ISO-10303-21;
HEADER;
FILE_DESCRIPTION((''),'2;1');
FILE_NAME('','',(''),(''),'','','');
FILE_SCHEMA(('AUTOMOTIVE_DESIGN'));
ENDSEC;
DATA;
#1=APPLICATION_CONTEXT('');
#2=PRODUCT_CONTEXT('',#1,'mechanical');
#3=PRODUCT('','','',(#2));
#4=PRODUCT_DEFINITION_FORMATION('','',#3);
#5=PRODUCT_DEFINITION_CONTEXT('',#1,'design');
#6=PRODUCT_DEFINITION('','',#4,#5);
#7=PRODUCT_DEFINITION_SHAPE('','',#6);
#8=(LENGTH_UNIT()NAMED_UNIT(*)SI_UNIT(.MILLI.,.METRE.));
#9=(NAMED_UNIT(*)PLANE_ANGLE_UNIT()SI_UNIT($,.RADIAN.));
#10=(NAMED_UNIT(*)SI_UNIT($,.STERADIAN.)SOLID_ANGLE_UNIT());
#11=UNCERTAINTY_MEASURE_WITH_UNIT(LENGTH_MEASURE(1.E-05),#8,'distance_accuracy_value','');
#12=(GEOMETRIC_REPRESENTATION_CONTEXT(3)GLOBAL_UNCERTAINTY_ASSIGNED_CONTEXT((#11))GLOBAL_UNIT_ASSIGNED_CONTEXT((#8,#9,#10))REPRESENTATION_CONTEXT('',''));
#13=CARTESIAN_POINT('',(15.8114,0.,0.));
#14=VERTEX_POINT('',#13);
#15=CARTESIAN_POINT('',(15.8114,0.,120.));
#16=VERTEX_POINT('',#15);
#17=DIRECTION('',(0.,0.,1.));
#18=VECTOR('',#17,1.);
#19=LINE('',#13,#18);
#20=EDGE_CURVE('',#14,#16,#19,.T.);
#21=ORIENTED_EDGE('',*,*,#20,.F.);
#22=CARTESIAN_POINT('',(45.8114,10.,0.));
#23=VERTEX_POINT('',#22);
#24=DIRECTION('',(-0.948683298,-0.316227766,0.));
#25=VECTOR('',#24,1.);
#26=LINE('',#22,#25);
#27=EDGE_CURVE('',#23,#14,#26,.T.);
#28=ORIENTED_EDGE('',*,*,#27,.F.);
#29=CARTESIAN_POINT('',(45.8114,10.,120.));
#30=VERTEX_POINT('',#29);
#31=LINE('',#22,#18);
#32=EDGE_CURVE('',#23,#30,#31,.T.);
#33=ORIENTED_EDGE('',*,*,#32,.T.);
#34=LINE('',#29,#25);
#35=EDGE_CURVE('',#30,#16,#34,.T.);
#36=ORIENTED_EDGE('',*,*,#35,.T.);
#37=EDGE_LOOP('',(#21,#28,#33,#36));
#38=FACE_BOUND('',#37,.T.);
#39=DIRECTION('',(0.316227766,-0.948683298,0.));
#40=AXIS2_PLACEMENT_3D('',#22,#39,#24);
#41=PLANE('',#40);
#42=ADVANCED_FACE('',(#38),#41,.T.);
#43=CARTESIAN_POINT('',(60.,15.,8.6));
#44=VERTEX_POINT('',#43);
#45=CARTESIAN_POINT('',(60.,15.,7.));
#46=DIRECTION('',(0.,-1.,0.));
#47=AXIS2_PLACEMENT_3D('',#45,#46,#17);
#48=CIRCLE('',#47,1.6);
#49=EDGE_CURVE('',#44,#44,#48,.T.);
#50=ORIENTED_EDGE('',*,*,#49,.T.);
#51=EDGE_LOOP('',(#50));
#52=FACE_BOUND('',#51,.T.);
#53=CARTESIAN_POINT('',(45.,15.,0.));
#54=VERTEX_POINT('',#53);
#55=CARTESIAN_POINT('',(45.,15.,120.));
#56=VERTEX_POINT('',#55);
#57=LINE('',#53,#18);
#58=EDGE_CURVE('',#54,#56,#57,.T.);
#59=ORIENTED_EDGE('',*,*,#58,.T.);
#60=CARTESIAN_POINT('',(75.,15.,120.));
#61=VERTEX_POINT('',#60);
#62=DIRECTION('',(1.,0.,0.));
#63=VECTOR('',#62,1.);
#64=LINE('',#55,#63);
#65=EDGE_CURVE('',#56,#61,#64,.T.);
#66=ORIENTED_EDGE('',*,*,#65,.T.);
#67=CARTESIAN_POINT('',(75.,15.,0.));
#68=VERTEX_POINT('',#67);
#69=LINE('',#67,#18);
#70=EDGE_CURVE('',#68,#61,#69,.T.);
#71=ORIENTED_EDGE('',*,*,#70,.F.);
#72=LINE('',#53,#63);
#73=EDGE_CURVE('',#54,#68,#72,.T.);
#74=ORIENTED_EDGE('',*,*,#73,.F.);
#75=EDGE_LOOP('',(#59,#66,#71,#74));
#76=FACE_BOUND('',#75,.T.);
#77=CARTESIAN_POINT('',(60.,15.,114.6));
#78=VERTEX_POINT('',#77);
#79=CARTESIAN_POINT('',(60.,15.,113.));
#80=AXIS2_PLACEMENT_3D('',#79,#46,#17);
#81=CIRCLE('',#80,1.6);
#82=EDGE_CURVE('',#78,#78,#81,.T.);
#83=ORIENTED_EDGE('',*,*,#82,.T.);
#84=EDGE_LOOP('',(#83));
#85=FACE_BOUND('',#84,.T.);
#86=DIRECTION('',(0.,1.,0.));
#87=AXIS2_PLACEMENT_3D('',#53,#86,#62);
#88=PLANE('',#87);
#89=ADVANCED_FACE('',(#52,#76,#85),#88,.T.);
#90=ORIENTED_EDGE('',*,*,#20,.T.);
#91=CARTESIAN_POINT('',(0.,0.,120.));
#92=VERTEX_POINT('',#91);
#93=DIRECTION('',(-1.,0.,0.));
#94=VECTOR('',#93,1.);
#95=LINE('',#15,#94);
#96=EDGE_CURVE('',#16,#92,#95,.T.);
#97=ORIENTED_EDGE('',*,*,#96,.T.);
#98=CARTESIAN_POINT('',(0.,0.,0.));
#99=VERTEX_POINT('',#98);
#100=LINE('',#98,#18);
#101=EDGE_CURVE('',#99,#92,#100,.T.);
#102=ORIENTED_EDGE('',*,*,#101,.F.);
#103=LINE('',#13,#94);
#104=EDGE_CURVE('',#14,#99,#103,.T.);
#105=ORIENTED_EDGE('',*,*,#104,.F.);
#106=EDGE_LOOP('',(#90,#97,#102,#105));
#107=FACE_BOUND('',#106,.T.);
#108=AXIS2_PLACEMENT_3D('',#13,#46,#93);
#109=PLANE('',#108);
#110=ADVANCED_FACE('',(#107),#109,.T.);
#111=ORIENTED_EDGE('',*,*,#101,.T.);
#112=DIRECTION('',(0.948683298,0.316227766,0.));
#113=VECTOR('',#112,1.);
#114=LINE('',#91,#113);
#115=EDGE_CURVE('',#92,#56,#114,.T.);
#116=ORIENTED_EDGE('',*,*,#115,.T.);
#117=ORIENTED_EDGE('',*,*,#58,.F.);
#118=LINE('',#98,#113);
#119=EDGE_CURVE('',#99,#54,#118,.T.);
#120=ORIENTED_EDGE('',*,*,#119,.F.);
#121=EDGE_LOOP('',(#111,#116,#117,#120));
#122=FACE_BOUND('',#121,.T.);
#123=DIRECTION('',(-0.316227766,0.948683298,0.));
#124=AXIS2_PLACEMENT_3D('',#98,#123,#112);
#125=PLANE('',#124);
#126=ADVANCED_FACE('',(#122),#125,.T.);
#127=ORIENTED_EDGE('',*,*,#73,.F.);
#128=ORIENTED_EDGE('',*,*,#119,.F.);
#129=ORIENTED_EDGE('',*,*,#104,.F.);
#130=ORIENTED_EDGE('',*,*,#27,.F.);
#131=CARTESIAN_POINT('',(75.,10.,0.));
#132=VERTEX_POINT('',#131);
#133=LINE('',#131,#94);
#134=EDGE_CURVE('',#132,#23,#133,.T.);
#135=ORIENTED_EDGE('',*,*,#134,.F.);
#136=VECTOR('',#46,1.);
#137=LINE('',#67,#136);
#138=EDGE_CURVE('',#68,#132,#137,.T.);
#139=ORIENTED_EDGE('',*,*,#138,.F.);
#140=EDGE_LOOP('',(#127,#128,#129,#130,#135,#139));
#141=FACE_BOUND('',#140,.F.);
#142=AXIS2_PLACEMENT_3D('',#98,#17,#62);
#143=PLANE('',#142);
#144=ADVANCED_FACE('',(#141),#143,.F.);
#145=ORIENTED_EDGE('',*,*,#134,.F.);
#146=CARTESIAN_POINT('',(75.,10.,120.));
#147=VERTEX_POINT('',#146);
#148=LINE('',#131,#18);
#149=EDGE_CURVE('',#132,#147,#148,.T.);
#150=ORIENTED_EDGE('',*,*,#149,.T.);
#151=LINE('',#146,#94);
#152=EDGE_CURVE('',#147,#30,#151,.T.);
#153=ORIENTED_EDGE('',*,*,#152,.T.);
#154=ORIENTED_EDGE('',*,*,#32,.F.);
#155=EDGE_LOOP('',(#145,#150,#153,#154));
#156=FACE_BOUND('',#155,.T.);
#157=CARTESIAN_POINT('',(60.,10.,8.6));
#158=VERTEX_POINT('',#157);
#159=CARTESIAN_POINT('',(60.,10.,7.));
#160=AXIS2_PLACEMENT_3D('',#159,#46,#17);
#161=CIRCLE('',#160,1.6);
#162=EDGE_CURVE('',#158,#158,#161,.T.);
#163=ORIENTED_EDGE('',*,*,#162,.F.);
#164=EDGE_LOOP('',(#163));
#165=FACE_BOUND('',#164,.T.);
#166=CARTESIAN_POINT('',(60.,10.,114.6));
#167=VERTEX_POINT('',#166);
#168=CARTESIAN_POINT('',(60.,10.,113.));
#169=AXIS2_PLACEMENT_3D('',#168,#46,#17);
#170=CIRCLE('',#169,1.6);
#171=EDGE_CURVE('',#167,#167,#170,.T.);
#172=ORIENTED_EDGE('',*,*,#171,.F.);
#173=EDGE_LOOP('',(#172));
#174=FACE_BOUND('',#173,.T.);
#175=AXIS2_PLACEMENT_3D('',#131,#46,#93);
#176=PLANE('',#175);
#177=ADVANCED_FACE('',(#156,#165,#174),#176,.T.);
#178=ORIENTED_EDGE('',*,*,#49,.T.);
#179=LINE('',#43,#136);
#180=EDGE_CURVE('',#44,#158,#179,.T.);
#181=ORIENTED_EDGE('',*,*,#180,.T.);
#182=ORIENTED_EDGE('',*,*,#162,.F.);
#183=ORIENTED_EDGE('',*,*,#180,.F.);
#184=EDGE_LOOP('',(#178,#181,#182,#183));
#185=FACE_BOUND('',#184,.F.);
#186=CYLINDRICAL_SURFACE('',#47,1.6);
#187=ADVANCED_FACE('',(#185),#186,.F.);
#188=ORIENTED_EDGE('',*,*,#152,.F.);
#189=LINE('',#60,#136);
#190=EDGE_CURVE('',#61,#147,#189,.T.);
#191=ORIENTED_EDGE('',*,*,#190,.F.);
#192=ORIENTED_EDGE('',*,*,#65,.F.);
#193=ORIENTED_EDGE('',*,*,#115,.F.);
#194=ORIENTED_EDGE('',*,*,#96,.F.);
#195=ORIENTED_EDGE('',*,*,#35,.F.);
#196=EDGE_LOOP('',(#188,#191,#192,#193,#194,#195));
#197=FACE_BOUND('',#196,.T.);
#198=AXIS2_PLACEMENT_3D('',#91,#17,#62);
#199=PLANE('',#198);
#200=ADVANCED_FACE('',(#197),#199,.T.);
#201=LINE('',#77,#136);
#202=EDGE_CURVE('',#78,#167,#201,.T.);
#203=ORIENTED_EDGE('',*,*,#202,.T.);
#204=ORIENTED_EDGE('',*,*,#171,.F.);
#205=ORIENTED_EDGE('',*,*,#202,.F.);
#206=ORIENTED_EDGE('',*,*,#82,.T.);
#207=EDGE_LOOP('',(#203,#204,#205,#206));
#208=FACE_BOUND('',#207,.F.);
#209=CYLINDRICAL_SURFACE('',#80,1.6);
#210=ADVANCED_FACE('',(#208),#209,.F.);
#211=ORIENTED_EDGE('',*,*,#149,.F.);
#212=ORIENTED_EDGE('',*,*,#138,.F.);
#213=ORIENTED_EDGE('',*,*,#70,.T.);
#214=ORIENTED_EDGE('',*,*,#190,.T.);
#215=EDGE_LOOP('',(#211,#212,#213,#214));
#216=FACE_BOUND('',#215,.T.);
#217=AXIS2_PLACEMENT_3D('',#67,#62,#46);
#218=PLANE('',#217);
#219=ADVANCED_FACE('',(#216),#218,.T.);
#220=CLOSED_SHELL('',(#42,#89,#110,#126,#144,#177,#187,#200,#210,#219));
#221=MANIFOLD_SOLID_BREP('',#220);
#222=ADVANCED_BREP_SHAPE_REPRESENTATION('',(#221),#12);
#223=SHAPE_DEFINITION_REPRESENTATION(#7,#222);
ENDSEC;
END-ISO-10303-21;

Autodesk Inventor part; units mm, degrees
ref_plane "YZ Plane" through (0, 0, 0) normal (1, 0, 0) x (0, 1, 0)
ref_plane "XZ Plane" through (0, 0, 0) normal (0, 1, 0) x (-1, 0, 0)
ref_plane "XY Plane" through (0, 0, 0) normal (0, 0, 1) x (1, 0, 0)
sketch "スケッチ1" plane through (0, 0, 0) normal (0, 0, 1) x (1, 0, 0)
  line L0 (0, 0) -> (45, 15)
  line L1 (45, 15) -> (75, 15)
  line L2 (75, 15) -> (75, 10)
  line L3 (75, 10) -> (45.8114, 10)
  line L4 (45.8114, 10) -> (15.8114, 0)
  line L5 (15.8114, 0) -> (0, 0)
  dimension "d0" = 15
  dimension "d1" = 5
  dimension "d2" = 5
  dimension "d21" = 30
  dimension "d27" = 30
extrude "押し出し1" add sketch "スケッチ1" along normal blind 120
sketch "スケッチ3" plane through (45, 15, 0) normal (0, 1, 0) x (1, 0, 0)
  line L0 (30, 0) -> (30, -120) projected
  line L1 (30, 0) -> (0, 0) projected
  line L2 (30, -120) -> (0, -120) projected
  point P0 (-45, 0)
  point P1 (15, -7)
  point P2 (30, -80)
  point P3 (15, -113)
  point P4 (15, -120)
  dimension "d12" = 15
  dimension "d13" = 7
  dimension "d23" = 106
hole "穴1" at (60, 15, 7) at (60, 15, 113) direction (0, -1, 0) diameter 3.2 depth 10 tip angle 118
properties part number "排出スロープ"
